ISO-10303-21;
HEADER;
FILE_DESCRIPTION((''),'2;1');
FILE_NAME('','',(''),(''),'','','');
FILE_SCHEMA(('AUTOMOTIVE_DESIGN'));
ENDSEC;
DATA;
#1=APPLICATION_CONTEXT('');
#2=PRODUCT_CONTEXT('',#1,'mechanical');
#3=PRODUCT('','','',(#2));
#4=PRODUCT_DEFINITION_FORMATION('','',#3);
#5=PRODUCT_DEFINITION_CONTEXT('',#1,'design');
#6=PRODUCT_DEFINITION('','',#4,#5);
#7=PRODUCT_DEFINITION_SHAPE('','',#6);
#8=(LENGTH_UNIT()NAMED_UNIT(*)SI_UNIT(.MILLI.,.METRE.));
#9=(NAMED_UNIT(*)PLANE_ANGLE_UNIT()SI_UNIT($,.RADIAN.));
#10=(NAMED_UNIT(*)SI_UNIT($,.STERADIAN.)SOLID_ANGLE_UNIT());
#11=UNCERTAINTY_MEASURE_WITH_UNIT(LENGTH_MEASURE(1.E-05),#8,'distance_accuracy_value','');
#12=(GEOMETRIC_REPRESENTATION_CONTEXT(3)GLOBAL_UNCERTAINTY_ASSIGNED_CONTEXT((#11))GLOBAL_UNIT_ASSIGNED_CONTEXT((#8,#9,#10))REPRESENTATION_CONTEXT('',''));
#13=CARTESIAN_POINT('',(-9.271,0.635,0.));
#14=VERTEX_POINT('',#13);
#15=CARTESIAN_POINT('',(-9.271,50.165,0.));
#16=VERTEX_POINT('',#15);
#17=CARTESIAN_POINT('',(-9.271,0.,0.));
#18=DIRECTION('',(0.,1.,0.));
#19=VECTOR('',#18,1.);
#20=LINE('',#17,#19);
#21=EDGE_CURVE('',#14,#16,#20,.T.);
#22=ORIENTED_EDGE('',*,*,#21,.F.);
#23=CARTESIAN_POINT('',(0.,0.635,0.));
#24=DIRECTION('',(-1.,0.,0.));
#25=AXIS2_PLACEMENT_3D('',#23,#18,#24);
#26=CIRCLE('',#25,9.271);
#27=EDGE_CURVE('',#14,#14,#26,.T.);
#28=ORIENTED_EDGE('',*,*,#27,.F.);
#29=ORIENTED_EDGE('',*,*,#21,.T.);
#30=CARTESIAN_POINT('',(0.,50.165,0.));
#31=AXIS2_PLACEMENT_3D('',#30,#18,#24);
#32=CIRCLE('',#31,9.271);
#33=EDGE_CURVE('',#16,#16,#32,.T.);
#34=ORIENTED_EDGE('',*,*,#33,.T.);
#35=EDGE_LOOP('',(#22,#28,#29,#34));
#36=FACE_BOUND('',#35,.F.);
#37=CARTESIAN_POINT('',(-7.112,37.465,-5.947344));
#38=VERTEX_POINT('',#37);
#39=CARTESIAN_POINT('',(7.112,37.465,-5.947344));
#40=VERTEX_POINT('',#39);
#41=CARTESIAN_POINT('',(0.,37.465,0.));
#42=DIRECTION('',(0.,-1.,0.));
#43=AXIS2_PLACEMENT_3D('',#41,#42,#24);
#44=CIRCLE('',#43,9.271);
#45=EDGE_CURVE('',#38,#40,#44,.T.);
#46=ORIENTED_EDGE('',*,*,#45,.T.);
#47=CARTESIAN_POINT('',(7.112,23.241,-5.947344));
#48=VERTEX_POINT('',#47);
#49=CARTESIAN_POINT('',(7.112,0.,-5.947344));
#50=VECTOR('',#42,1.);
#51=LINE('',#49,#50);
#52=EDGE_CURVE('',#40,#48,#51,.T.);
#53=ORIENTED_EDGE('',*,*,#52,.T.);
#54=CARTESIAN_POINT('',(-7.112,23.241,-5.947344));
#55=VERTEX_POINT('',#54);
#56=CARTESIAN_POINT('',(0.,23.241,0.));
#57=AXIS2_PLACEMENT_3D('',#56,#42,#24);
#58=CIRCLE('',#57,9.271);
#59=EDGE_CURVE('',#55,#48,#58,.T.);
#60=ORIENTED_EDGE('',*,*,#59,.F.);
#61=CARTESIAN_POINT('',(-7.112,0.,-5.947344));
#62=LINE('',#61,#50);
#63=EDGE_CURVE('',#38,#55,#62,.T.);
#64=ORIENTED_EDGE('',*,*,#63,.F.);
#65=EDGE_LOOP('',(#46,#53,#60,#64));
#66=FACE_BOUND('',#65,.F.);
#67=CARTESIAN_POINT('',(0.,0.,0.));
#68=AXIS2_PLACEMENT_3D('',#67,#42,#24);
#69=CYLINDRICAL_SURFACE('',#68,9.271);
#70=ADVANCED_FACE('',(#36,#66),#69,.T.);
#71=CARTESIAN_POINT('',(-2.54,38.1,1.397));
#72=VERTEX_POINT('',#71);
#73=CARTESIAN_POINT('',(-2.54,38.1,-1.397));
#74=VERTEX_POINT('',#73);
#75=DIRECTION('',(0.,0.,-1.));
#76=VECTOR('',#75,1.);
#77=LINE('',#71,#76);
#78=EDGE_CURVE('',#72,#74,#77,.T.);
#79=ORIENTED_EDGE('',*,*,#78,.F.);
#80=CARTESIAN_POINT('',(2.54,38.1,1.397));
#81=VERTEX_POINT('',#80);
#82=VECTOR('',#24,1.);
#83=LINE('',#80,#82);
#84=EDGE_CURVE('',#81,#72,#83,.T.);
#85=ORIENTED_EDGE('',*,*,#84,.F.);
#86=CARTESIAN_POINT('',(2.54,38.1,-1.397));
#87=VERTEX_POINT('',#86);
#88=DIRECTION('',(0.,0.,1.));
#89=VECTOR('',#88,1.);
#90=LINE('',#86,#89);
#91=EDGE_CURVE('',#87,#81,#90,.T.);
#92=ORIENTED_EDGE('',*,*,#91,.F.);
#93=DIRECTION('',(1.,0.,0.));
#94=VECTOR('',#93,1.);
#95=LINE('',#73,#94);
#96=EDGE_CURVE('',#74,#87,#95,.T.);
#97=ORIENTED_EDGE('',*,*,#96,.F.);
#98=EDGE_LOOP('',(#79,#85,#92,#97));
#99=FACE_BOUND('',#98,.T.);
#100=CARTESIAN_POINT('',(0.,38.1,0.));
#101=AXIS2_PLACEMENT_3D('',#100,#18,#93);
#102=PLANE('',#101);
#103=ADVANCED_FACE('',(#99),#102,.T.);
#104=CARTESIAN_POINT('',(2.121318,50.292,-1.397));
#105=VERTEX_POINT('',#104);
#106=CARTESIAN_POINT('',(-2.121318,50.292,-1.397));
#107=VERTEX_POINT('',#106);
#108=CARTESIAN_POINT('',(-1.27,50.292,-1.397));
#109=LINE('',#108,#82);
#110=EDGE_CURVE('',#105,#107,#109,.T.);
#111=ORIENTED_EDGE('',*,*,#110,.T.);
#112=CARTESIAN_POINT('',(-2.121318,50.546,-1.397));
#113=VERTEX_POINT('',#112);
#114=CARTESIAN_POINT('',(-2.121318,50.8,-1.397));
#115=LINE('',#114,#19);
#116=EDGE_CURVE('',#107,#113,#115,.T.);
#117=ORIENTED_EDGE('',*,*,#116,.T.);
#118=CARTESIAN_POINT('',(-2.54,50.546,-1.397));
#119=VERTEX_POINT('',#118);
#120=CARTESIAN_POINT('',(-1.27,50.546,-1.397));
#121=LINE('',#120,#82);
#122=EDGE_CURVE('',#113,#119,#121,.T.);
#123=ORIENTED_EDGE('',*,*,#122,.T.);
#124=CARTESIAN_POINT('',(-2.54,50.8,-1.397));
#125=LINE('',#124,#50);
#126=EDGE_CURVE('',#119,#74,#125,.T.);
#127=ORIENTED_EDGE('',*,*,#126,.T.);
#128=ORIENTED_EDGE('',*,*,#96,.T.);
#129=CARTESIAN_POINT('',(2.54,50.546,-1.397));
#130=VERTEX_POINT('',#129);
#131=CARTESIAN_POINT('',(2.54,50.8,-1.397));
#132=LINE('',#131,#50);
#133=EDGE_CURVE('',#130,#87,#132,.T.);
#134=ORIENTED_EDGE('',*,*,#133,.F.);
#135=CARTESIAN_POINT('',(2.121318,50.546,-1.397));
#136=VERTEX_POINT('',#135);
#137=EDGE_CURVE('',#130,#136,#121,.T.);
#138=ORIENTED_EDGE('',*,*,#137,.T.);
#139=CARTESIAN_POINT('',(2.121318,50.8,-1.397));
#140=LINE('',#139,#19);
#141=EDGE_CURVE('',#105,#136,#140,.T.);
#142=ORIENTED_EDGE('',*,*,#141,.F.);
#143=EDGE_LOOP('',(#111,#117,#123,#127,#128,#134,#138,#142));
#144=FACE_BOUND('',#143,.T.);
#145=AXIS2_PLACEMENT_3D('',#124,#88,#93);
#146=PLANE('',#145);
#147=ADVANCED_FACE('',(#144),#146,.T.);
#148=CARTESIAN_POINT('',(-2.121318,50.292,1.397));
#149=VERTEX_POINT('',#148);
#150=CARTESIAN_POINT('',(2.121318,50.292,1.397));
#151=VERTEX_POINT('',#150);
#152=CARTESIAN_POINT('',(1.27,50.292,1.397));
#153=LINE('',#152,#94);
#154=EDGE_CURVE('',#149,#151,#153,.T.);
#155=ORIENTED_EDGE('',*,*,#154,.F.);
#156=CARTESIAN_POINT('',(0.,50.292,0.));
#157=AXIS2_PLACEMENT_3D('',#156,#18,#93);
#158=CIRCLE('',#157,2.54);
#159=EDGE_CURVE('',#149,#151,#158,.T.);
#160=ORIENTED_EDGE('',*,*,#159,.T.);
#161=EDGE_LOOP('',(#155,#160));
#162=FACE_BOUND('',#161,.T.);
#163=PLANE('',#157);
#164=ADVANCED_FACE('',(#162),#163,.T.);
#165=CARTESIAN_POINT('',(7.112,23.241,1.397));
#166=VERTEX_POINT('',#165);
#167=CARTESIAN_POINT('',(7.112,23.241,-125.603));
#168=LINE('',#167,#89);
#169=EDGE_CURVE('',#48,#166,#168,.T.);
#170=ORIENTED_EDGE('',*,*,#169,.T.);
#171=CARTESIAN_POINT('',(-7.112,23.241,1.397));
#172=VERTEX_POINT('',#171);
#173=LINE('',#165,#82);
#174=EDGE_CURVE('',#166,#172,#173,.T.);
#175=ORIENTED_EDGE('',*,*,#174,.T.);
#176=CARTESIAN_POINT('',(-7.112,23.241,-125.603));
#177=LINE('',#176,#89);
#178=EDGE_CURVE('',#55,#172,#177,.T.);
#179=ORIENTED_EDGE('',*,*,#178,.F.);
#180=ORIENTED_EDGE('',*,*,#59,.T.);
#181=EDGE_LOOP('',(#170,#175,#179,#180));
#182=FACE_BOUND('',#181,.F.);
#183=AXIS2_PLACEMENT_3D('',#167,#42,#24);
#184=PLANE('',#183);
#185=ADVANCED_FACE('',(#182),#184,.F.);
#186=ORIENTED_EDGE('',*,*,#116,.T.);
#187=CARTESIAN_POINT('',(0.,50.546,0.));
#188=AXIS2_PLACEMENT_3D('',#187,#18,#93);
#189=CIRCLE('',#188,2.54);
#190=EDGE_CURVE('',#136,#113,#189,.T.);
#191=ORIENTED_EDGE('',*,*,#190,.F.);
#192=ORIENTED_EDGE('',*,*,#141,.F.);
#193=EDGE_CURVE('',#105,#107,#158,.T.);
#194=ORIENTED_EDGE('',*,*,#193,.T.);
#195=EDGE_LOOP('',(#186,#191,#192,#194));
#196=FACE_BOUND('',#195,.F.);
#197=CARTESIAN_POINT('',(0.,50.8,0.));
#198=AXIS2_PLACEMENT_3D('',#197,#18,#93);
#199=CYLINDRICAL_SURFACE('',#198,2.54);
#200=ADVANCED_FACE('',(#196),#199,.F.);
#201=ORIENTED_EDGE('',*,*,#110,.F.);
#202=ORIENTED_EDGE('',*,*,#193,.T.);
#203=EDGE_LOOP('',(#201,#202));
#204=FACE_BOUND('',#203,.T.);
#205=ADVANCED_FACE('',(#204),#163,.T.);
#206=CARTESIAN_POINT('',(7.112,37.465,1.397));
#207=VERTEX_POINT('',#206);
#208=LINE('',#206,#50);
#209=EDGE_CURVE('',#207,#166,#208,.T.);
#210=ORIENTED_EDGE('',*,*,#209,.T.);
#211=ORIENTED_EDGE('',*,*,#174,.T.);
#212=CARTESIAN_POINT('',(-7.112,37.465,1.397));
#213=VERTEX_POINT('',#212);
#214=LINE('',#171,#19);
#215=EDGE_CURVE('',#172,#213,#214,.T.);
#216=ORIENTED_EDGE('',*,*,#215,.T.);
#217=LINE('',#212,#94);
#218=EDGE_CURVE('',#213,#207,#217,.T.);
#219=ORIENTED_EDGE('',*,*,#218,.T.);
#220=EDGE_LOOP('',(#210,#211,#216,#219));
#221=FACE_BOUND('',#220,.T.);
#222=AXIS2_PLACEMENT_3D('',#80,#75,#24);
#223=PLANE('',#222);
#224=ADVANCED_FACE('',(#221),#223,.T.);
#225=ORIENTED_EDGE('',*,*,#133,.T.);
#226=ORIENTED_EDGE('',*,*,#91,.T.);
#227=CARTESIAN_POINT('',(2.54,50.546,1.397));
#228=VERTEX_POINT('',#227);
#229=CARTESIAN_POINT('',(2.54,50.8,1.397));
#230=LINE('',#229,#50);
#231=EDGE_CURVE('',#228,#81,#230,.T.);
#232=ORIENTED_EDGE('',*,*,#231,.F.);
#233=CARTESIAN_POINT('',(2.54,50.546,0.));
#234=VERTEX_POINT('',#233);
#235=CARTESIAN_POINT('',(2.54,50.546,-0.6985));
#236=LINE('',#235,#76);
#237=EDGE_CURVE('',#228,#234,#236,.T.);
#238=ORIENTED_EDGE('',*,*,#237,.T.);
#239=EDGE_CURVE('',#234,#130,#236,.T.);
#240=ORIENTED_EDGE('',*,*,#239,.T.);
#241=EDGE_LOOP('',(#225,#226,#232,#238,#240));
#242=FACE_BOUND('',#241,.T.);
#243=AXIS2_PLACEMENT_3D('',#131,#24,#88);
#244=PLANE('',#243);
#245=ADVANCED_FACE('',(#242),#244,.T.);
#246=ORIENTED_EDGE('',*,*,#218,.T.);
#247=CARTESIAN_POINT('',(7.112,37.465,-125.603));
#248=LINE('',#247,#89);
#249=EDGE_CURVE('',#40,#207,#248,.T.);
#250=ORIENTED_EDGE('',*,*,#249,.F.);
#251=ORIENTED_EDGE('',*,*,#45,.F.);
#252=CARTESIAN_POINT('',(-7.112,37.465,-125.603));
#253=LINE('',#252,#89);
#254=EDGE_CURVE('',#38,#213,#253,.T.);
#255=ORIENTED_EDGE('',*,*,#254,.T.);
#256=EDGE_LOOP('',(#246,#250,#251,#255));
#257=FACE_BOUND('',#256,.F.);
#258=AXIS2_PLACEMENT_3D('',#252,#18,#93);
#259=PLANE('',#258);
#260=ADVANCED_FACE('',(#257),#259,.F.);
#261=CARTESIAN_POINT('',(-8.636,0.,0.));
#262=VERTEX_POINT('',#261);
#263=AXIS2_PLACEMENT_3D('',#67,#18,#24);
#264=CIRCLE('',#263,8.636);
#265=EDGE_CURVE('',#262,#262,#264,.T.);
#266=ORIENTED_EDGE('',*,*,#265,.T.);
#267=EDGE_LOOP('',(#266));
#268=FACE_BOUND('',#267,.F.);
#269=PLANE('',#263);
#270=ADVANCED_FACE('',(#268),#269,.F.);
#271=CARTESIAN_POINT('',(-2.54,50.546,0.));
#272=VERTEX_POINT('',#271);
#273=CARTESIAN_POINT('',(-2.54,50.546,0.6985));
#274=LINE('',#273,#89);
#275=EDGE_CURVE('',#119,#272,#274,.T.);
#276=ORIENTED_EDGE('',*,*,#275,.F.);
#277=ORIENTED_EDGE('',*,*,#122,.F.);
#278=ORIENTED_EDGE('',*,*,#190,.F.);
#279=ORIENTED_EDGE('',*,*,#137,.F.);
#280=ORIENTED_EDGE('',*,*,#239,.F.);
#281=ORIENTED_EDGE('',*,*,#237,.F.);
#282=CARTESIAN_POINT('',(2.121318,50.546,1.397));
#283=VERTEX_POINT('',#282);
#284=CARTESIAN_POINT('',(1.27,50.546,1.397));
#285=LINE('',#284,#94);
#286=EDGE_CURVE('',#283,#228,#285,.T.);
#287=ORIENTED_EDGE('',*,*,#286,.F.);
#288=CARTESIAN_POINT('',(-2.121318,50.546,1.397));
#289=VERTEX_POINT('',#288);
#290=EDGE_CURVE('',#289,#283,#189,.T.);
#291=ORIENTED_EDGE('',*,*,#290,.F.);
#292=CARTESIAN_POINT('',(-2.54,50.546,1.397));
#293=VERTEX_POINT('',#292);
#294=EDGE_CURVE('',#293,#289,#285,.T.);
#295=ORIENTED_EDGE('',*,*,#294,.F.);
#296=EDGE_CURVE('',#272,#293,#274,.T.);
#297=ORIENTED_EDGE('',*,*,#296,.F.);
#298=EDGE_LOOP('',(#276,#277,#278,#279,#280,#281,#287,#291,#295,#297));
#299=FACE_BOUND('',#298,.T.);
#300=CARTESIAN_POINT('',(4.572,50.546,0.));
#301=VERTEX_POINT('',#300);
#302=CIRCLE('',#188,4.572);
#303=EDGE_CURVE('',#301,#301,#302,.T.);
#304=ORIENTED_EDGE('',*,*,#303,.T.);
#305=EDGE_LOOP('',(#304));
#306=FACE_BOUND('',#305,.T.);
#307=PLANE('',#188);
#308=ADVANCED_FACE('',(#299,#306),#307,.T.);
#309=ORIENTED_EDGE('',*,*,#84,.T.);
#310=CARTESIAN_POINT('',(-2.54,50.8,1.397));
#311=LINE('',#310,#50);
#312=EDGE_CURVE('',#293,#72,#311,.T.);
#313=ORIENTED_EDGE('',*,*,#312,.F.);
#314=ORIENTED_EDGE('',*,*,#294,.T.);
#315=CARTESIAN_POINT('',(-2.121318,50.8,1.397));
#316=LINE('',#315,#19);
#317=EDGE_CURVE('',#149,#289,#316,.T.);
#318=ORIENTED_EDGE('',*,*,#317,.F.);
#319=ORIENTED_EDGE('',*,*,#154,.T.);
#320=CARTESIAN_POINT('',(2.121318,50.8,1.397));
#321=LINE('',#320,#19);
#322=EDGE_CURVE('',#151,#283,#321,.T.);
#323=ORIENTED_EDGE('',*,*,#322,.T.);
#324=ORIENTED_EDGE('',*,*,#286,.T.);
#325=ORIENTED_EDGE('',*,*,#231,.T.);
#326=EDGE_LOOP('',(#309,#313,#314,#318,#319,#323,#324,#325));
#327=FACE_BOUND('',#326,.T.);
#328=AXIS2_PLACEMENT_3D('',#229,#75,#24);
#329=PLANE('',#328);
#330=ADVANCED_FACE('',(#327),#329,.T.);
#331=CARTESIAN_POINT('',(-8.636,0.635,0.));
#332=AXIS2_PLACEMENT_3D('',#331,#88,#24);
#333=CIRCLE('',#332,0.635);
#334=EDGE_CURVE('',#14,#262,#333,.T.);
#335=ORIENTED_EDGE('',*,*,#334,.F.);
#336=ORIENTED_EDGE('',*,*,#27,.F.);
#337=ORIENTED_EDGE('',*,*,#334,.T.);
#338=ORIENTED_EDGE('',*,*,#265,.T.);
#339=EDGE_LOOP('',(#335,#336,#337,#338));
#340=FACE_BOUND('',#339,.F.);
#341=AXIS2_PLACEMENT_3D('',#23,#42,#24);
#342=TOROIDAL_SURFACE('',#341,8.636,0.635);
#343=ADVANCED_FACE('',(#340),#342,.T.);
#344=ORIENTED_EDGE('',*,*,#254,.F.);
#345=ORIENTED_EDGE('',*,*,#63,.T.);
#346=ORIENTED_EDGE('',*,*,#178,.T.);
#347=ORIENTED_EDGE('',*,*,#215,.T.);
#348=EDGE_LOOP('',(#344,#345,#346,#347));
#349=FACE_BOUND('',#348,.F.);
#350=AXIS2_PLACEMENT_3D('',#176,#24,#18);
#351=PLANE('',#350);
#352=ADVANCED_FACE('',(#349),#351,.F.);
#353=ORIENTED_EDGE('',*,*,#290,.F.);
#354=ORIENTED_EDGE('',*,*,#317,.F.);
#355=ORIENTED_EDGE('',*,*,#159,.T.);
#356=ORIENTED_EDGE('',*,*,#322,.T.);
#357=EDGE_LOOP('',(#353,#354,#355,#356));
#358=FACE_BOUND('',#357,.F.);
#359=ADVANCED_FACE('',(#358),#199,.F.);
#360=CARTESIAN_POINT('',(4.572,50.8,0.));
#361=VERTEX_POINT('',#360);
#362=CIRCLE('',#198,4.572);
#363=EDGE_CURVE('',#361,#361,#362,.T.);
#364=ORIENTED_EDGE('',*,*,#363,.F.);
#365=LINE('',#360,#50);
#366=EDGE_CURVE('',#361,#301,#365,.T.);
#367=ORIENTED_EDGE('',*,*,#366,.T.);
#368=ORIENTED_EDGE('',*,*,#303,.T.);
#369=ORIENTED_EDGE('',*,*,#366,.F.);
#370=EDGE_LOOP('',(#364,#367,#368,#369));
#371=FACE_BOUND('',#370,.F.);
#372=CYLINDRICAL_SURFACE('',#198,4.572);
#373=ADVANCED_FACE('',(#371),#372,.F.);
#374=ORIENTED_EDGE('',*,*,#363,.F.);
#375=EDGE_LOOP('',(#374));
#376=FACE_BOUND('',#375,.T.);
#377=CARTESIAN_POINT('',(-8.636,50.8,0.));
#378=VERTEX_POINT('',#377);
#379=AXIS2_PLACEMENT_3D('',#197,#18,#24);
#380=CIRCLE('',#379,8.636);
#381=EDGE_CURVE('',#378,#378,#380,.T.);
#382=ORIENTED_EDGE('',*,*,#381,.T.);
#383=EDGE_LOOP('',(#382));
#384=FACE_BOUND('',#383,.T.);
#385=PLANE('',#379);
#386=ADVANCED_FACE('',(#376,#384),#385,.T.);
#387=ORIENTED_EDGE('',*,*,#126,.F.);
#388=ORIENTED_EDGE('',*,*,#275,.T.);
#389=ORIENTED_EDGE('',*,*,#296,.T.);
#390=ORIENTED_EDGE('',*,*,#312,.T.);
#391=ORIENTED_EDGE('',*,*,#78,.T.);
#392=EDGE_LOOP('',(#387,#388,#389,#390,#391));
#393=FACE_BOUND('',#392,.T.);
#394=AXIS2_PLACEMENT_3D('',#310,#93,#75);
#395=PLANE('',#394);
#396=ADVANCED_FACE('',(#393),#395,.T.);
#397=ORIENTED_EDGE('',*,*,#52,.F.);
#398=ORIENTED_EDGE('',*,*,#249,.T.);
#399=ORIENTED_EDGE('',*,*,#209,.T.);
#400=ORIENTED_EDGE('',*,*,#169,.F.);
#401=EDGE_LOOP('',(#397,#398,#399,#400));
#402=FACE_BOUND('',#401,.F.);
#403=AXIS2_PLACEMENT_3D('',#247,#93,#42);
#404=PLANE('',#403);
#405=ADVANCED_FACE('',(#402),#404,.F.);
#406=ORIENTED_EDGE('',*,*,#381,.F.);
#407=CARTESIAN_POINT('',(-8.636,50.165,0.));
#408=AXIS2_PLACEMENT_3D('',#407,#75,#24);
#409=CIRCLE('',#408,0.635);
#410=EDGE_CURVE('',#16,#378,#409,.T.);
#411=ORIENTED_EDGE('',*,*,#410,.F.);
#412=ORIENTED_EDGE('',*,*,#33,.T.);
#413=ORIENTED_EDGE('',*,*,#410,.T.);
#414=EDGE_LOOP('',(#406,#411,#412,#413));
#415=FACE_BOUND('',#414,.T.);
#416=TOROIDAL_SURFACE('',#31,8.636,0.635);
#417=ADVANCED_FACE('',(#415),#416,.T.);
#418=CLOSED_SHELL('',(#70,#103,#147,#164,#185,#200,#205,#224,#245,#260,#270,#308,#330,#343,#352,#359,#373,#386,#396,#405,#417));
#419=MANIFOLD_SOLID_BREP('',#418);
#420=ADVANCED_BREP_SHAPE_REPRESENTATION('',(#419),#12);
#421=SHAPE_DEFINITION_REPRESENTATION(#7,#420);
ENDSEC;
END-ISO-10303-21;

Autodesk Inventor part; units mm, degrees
ref_plane "YZ Plane" through (0, 0, 0) normal (1, 0, 0) x (0, 1, 0)
ref_plane "XZ Plane" through (0, 0, 0) normal (0, 1, 0) x (-1, 0, 0)
ref_plane "XY Plane" through (0, 0, 0) normal (0, 0, 1) x (1, 0, 0)
sketch "Sketch1" plane through (0, 0, 0) normal (0, 1, 0) x (-1, 0, 0)
  circle A0 centre (0, 0) radius 9.271
  dimension "d0" = 18.542
extrude "Extrusion1" add sketch "Sketch1" along normal blind 50.8
sketch "Sketch2" plane through (0, 50.8, 0) normal (0, 1, 0) x (1, 0, 0)
  line L0 (-2.54, 1.397) -> (2.54, 1.397)
  line L1 (2.54, 1.397) -> (2.54, -1.397)
  line L2 (2.54, -1.397) -> (-2.54, -1.397)
  line L3 (-2.54, -1.397) -> (-2.54, 1.397)
  line L4 (-2.54, 1.397) -> (2.54, -1.397) construction
  line L5 (2.54, 1.397) -> (-2.54, -1.397) construction
  point P0 (0, 0)
  point P1 (2.54, 0)
  point P2 (-2.54, 0)
  dimension "d3" = 2.794
  dimension "d4" = 5.08
extrude "Extrusion2" cut sketch "Sketch2" against normal blind 12.7
fillet "Fillet2" radius 0.635 2 edges at (9.271, 50.8, 0) (9.271, 0, 0)
sketch "Sketch3" plane through (2.54, 38.1, 1.397) normal (0, 0, -1) x (-1, 0, 0)
  line L0 (9.652, -0.635) -> (-4.572, -0.635)
  line L1 (-4.572, -0.635) -> (-4.572, -14.859)
  line L2 (-4.572, -14.859) -> (9.652, -14.859)
  line L3 (9.652, -14.859) -> (9.652, -0.635)
  line L4 (9.652, -0.635) -> (-4.572, -14.859) construction
  line L5 (-4.572, -0.635) -> (9.652, -14.859) construction
  line L6 (11.811, 12.065) -> (-6.731, 12.065) projected
  point P0 (2.54, -38.1)
  point P1 (2.54, -7.747)
  dimension "d9" = 14.224
  dimension "d10" = 14.224
  dimension "d11" = 12.7
extrude "Extrusion3" add sketch "Sketch3" along normal blind 127
sketch "Sketch4" plane through (2.54, 38.1, -125.603) normal (0, 0, -1) x (-1, 0, 0)
  line L0 (9.652, -0.635) -> (-4.572, -0.635) projected
  line L1 (-4.572, -14.859) -> (9.652, -14.859) projected
  line L2 (9.652, -0.635) -> (-4.572, -0.635)
  line L3 (-4.572, -0.635) -> (-4.572, -14.859)
  line L4 (-4.572, -14.859) -> (9.652, -14.859)
  line L5 (9.652, -14.859) -> (9.652, -0.635)
  point P0 (2.54, -38.1)
  point P1 (-4.572, -0.635)
extrude "Extrusion4" cut sketch "Sketch4" against normal blind 127
sketch "Sketch5" plane through (0, 50.8, 0) normal (0, 1, 0) x (1, 0, 0)
  circle A0 centre (0, 0) radius 2.54
  dimension "d16" = 5.08
extrude "Extrusion5" cut sketch "Sketch5" against normal blind 0.508
sketch "Sketch6" plane through (0, 50.8, 0) normal (0, 1, 0) x (1, 0, 0)
  arc A0 (-2.1213, -1.397) -> (2.1213, -1.397) centre (0, 0) ccw projected
  circle A1 centre (0, 0) radius 4.572
  dimension "d19" = 9.144
extrude "Extrusion6" cut sketch "Sketch6" against normal blind 0.254
properties part number "spinny"
